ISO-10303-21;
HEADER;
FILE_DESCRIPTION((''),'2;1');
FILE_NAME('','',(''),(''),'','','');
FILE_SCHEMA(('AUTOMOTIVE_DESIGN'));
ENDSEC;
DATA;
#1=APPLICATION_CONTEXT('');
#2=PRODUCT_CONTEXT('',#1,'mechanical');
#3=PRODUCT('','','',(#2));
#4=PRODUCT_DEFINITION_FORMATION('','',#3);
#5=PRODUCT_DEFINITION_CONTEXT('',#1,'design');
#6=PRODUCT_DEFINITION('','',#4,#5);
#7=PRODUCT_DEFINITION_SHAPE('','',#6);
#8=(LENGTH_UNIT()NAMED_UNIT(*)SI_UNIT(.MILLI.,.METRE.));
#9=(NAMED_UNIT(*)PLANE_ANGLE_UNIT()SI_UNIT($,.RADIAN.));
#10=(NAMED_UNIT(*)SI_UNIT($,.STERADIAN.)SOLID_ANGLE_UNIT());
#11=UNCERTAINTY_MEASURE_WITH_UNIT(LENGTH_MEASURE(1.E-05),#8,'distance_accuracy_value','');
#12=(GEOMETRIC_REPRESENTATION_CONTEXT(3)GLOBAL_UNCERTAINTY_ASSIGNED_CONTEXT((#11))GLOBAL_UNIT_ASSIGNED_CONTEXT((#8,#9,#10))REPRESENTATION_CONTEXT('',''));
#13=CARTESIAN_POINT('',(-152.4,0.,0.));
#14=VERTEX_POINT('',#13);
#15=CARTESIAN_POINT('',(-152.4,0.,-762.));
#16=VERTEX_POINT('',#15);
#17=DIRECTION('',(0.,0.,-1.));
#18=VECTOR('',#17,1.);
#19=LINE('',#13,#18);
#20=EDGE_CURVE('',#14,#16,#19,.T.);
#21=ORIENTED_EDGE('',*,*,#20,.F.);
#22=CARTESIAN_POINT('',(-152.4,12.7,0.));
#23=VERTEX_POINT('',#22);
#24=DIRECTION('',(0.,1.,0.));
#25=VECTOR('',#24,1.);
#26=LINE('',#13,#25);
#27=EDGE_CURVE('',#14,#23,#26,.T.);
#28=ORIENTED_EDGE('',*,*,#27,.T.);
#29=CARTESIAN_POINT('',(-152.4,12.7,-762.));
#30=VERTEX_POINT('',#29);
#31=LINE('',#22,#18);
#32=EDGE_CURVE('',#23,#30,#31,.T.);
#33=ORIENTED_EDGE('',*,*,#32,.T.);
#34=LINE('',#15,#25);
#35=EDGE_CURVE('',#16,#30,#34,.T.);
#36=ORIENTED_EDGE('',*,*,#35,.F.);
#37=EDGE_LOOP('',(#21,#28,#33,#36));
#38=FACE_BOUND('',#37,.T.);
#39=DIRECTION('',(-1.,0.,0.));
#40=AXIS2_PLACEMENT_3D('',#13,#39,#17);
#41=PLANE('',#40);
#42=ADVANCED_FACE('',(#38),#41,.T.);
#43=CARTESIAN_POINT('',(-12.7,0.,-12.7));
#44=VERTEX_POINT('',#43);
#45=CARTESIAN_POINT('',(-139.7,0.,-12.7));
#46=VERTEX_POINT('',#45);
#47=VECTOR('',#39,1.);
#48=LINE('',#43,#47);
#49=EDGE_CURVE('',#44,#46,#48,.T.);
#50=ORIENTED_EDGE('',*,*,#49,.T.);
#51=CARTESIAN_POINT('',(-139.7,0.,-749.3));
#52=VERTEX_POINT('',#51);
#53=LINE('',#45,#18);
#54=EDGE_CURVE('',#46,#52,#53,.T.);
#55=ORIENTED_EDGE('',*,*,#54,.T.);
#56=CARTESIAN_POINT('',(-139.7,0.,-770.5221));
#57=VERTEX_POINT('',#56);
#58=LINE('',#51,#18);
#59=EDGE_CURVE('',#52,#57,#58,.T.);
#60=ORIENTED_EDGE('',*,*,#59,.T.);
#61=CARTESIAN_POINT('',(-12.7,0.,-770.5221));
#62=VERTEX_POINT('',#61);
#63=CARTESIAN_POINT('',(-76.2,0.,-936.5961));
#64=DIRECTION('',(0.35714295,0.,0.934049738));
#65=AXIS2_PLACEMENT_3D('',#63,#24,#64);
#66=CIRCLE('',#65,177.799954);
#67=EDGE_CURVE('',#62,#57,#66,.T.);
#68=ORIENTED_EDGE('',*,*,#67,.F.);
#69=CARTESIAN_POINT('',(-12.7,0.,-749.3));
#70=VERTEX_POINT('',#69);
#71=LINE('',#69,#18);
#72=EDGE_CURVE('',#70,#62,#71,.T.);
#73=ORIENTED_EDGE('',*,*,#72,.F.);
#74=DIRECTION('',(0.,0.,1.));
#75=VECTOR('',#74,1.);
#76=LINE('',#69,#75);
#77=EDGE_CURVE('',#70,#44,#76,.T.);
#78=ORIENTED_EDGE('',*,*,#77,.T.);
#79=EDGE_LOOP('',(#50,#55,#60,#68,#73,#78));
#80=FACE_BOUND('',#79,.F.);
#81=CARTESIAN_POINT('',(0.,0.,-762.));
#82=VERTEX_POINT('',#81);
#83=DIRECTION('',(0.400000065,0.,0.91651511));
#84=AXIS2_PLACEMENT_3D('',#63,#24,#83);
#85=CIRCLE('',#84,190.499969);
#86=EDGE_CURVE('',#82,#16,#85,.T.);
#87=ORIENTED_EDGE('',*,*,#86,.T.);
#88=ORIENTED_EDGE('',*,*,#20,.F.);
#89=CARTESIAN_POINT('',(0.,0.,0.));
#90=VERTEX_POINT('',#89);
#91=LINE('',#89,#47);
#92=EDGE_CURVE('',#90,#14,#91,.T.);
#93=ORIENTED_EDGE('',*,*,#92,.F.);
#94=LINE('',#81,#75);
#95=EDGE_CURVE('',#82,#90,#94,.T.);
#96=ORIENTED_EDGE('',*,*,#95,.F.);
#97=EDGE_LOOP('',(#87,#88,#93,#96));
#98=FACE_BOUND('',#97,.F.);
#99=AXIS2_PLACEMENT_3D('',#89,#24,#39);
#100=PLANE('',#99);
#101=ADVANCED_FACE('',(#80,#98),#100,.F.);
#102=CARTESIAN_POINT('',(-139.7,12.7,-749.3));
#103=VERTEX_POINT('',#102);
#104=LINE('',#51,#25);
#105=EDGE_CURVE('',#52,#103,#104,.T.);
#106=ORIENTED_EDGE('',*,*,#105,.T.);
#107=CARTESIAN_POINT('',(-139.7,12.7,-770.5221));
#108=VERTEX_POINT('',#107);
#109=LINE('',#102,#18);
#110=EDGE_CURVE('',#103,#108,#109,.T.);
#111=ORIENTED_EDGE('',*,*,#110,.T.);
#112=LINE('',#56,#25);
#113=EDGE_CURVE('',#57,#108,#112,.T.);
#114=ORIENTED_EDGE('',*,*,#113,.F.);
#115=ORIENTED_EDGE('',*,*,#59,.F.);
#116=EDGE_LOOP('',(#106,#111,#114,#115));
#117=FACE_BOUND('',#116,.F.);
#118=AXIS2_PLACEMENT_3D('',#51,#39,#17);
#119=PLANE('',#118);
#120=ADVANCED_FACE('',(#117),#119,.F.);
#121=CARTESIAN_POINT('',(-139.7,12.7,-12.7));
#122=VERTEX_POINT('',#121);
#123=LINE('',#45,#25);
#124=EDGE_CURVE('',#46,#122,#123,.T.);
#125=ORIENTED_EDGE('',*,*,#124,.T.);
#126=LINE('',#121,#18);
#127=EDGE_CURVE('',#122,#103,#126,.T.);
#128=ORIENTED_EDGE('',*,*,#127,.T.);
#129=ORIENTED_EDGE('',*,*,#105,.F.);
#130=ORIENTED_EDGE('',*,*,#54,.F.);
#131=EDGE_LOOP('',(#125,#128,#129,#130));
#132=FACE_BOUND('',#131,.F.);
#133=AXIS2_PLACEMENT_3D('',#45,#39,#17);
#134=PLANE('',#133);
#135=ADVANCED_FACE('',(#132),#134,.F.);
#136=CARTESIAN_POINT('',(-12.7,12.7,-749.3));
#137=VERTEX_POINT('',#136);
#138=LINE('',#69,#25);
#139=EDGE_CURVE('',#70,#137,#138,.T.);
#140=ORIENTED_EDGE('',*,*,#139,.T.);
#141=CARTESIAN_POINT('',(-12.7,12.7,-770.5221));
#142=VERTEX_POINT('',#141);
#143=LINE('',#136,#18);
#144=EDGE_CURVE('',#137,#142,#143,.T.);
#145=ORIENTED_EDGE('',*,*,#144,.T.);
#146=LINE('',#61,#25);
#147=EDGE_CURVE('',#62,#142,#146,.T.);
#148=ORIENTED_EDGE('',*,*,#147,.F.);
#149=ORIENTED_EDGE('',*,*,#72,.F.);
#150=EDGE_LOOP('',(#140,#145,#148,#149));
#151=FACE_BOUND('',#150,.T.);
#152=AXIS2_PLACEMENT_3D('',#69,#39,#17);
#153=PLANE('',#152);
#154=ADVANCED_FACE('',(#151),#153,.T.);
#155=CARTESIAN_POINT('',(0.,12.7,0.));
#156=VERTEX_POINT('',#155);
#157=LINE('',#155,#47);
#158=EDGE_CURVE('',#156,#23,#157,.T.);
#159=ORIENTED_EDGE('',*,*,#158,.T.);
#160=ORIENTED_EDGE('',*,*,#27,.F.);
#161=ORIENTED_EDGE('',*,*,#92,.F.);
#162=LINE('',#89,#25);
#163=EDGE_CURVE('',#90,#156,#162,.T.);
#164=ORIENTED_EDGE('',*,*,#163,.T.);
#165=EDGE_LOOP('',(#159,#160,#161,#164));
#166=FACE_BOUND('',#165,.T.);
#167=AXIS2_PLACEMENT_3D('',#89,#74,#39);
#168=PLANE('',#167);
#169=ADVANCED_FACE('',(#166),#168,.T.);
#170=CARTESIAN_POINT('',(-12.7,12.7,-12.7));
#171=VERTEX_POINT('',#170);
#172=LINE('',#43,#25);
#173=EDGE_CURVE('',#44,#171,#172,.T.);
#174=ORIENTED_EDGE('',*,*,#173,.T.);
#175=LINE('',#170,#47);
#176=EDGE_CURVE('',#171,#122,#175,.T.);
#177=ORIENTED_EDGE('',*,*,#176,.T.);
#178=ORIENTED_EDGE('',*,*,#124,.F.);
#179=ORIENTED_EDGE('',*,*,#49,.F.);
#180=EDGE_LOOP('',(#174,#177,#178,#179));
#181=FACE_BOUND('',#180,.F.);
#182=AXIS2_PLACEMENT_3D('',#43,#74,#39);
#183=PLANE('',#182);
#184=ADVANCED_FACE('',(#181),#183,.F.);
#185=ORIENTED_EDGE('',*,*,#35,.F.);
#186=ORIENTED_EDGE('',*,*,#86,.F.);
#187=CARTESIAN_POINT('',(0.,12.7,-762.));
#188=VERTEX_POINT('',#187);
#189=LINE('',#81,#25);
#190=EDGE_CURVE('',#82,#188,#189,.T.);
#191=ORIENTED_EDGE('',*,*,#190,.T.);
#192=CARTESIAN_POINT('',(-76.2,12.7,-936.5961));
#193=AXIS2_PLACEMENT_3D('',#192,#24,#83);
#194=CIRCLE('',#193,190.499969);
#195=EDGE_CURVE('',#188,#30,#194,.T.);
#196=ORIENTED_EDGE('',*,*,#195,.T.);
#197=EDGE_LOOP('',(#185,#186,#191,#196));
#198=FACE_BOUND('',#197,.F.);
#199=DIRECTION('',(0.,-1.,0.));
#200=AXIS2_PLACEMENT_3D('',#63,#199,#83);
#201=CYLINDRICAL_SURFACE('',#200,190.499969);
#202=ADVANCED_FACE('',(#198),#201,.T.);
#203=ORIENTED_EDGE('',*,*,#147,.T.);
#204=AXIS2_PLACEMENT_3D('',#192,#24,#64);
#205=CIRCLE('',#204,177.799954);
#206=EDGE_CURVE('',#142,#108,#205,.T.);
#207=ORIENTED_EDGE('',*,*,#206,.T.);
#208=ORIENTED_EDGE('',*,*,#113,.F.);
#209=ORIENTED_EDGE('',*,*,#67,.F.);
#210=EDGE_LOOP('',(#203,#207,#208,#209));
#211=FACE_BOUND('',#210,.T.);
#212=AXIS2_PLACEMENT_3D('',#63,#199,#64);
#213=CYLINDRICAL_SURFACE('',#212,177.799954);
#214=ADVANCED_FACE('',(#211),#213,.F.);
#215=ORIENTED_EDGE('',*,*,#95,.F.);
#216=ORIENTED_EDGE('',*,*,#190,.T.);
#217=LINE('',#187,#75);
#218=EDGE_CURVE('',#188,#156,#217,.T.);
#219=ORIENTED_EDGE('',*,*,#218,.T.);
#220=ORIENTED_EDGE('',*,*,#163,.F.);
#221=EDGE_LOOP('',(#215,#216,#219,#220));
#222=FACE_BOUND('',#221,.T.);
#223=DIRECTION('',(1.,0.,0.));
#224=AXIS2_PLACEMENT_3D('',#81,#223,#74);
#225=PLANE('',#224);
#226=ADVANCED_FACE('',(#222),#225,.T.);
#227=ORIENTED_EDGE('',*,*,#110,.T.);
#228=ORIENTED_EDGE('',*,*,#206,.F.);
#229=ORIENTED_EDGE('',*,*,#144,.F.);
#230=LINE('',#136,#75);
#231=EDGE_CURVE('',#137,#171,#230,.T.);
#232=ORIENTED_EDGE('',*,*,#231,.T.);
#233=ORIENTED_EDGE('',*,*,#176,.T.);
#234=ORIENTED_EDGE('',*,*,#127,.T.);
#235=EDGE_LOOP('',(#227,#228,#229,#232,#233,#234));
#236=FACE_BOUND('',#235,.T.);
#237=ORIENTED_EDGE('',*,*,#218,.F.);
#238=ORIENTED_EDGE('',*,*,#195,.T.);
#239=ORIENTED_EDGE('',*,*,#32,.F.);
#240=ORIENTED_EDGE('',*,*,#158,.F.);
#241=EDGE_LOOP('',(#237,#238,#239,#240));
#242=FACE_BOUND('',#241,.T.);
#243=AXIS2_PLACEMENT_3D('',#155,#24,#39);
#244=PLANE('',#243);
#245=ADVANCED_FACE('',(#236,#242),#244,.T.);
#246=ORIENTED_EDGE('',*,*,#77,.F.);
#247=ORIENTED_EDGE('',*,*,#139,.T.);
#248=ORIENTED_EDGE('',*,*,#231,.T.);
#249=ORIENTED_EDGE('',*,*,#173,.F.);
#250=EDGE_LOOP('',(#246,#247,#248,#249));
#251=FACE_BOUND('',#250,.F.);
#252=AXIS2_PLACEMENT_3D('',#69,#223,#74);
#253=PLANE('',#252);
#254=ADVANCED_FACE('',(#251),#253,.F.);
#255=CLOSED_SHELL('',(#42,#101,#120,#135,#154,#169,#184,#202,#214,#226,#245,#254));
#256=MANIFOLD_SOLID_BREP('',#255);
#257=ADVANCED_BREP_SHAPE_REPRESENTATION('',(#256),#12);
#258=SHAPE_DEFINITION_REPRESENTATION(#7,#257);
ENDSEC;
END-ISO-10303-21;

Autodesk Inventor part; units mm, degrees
ref_plane "YZ Plane" through (0, 0, 0) normal (1, 0, 0) x (0, 1, 0)
ref_plane "XZ Plane" through (0, 0, 0) normal (0, 1, 0) x (-1, 0, 0)
ref_plane "XY Plane" through (0, 0, 0) normal (0, 0, 1) x (1, 0, 0)
sketch "Sketch1" plane through (0, 0, 0) normal (0, 1, 0) x (-1, 0, 0)
  line L0 (0, 0) -> (152.4, 0)
  line L1 (152.4, 0) -> (152.4, -762)
  line L2 (0, -762) -> (0, 0)
  line L3 (152.4, -762) -> (0, -762) construction
  arc A0 (0, -762) -> (152.4, -762) centre (76.2, -936.5961) ccw
  line L4 (152.4, -590.1365) -> (152.4, -762) construction
  arc A1 (12.7, -770.5221) -> (139.7, -770.5221) centre (76.2, -936.5961) ccw
  line L5 (12.7, -12.7) -> (139.7, -12.7)
  line L6 (139.7, -12.7) -> (139.7, -749.3)
  line L7 (12.7, -749.3) -> (12.7, -12.7)
  line L8 (12.7, -12.7) -> (139.7, -749.3) construction
  line L9 (139.7, -12.7) -> (12.7, -749.3) construction
  line L10 (12.7, -749.3) -> (12.7, -770.5221)
  line L11 (139.7, -749.3) -> (139.7, -770.5221)
  point P0 (76.2, -381)
  dimension "d0" = 762
  dimension "d1" = 381
  dimension "d2" = 355.6
  dimension "d3" = 762
  dimension "d4" = 127
  dimension "d5" = 736.6
extrude "Extrusion1" add sketch "Sketch1" along normal blind 12.7
properties part number "Arm Layer 2 Out"
